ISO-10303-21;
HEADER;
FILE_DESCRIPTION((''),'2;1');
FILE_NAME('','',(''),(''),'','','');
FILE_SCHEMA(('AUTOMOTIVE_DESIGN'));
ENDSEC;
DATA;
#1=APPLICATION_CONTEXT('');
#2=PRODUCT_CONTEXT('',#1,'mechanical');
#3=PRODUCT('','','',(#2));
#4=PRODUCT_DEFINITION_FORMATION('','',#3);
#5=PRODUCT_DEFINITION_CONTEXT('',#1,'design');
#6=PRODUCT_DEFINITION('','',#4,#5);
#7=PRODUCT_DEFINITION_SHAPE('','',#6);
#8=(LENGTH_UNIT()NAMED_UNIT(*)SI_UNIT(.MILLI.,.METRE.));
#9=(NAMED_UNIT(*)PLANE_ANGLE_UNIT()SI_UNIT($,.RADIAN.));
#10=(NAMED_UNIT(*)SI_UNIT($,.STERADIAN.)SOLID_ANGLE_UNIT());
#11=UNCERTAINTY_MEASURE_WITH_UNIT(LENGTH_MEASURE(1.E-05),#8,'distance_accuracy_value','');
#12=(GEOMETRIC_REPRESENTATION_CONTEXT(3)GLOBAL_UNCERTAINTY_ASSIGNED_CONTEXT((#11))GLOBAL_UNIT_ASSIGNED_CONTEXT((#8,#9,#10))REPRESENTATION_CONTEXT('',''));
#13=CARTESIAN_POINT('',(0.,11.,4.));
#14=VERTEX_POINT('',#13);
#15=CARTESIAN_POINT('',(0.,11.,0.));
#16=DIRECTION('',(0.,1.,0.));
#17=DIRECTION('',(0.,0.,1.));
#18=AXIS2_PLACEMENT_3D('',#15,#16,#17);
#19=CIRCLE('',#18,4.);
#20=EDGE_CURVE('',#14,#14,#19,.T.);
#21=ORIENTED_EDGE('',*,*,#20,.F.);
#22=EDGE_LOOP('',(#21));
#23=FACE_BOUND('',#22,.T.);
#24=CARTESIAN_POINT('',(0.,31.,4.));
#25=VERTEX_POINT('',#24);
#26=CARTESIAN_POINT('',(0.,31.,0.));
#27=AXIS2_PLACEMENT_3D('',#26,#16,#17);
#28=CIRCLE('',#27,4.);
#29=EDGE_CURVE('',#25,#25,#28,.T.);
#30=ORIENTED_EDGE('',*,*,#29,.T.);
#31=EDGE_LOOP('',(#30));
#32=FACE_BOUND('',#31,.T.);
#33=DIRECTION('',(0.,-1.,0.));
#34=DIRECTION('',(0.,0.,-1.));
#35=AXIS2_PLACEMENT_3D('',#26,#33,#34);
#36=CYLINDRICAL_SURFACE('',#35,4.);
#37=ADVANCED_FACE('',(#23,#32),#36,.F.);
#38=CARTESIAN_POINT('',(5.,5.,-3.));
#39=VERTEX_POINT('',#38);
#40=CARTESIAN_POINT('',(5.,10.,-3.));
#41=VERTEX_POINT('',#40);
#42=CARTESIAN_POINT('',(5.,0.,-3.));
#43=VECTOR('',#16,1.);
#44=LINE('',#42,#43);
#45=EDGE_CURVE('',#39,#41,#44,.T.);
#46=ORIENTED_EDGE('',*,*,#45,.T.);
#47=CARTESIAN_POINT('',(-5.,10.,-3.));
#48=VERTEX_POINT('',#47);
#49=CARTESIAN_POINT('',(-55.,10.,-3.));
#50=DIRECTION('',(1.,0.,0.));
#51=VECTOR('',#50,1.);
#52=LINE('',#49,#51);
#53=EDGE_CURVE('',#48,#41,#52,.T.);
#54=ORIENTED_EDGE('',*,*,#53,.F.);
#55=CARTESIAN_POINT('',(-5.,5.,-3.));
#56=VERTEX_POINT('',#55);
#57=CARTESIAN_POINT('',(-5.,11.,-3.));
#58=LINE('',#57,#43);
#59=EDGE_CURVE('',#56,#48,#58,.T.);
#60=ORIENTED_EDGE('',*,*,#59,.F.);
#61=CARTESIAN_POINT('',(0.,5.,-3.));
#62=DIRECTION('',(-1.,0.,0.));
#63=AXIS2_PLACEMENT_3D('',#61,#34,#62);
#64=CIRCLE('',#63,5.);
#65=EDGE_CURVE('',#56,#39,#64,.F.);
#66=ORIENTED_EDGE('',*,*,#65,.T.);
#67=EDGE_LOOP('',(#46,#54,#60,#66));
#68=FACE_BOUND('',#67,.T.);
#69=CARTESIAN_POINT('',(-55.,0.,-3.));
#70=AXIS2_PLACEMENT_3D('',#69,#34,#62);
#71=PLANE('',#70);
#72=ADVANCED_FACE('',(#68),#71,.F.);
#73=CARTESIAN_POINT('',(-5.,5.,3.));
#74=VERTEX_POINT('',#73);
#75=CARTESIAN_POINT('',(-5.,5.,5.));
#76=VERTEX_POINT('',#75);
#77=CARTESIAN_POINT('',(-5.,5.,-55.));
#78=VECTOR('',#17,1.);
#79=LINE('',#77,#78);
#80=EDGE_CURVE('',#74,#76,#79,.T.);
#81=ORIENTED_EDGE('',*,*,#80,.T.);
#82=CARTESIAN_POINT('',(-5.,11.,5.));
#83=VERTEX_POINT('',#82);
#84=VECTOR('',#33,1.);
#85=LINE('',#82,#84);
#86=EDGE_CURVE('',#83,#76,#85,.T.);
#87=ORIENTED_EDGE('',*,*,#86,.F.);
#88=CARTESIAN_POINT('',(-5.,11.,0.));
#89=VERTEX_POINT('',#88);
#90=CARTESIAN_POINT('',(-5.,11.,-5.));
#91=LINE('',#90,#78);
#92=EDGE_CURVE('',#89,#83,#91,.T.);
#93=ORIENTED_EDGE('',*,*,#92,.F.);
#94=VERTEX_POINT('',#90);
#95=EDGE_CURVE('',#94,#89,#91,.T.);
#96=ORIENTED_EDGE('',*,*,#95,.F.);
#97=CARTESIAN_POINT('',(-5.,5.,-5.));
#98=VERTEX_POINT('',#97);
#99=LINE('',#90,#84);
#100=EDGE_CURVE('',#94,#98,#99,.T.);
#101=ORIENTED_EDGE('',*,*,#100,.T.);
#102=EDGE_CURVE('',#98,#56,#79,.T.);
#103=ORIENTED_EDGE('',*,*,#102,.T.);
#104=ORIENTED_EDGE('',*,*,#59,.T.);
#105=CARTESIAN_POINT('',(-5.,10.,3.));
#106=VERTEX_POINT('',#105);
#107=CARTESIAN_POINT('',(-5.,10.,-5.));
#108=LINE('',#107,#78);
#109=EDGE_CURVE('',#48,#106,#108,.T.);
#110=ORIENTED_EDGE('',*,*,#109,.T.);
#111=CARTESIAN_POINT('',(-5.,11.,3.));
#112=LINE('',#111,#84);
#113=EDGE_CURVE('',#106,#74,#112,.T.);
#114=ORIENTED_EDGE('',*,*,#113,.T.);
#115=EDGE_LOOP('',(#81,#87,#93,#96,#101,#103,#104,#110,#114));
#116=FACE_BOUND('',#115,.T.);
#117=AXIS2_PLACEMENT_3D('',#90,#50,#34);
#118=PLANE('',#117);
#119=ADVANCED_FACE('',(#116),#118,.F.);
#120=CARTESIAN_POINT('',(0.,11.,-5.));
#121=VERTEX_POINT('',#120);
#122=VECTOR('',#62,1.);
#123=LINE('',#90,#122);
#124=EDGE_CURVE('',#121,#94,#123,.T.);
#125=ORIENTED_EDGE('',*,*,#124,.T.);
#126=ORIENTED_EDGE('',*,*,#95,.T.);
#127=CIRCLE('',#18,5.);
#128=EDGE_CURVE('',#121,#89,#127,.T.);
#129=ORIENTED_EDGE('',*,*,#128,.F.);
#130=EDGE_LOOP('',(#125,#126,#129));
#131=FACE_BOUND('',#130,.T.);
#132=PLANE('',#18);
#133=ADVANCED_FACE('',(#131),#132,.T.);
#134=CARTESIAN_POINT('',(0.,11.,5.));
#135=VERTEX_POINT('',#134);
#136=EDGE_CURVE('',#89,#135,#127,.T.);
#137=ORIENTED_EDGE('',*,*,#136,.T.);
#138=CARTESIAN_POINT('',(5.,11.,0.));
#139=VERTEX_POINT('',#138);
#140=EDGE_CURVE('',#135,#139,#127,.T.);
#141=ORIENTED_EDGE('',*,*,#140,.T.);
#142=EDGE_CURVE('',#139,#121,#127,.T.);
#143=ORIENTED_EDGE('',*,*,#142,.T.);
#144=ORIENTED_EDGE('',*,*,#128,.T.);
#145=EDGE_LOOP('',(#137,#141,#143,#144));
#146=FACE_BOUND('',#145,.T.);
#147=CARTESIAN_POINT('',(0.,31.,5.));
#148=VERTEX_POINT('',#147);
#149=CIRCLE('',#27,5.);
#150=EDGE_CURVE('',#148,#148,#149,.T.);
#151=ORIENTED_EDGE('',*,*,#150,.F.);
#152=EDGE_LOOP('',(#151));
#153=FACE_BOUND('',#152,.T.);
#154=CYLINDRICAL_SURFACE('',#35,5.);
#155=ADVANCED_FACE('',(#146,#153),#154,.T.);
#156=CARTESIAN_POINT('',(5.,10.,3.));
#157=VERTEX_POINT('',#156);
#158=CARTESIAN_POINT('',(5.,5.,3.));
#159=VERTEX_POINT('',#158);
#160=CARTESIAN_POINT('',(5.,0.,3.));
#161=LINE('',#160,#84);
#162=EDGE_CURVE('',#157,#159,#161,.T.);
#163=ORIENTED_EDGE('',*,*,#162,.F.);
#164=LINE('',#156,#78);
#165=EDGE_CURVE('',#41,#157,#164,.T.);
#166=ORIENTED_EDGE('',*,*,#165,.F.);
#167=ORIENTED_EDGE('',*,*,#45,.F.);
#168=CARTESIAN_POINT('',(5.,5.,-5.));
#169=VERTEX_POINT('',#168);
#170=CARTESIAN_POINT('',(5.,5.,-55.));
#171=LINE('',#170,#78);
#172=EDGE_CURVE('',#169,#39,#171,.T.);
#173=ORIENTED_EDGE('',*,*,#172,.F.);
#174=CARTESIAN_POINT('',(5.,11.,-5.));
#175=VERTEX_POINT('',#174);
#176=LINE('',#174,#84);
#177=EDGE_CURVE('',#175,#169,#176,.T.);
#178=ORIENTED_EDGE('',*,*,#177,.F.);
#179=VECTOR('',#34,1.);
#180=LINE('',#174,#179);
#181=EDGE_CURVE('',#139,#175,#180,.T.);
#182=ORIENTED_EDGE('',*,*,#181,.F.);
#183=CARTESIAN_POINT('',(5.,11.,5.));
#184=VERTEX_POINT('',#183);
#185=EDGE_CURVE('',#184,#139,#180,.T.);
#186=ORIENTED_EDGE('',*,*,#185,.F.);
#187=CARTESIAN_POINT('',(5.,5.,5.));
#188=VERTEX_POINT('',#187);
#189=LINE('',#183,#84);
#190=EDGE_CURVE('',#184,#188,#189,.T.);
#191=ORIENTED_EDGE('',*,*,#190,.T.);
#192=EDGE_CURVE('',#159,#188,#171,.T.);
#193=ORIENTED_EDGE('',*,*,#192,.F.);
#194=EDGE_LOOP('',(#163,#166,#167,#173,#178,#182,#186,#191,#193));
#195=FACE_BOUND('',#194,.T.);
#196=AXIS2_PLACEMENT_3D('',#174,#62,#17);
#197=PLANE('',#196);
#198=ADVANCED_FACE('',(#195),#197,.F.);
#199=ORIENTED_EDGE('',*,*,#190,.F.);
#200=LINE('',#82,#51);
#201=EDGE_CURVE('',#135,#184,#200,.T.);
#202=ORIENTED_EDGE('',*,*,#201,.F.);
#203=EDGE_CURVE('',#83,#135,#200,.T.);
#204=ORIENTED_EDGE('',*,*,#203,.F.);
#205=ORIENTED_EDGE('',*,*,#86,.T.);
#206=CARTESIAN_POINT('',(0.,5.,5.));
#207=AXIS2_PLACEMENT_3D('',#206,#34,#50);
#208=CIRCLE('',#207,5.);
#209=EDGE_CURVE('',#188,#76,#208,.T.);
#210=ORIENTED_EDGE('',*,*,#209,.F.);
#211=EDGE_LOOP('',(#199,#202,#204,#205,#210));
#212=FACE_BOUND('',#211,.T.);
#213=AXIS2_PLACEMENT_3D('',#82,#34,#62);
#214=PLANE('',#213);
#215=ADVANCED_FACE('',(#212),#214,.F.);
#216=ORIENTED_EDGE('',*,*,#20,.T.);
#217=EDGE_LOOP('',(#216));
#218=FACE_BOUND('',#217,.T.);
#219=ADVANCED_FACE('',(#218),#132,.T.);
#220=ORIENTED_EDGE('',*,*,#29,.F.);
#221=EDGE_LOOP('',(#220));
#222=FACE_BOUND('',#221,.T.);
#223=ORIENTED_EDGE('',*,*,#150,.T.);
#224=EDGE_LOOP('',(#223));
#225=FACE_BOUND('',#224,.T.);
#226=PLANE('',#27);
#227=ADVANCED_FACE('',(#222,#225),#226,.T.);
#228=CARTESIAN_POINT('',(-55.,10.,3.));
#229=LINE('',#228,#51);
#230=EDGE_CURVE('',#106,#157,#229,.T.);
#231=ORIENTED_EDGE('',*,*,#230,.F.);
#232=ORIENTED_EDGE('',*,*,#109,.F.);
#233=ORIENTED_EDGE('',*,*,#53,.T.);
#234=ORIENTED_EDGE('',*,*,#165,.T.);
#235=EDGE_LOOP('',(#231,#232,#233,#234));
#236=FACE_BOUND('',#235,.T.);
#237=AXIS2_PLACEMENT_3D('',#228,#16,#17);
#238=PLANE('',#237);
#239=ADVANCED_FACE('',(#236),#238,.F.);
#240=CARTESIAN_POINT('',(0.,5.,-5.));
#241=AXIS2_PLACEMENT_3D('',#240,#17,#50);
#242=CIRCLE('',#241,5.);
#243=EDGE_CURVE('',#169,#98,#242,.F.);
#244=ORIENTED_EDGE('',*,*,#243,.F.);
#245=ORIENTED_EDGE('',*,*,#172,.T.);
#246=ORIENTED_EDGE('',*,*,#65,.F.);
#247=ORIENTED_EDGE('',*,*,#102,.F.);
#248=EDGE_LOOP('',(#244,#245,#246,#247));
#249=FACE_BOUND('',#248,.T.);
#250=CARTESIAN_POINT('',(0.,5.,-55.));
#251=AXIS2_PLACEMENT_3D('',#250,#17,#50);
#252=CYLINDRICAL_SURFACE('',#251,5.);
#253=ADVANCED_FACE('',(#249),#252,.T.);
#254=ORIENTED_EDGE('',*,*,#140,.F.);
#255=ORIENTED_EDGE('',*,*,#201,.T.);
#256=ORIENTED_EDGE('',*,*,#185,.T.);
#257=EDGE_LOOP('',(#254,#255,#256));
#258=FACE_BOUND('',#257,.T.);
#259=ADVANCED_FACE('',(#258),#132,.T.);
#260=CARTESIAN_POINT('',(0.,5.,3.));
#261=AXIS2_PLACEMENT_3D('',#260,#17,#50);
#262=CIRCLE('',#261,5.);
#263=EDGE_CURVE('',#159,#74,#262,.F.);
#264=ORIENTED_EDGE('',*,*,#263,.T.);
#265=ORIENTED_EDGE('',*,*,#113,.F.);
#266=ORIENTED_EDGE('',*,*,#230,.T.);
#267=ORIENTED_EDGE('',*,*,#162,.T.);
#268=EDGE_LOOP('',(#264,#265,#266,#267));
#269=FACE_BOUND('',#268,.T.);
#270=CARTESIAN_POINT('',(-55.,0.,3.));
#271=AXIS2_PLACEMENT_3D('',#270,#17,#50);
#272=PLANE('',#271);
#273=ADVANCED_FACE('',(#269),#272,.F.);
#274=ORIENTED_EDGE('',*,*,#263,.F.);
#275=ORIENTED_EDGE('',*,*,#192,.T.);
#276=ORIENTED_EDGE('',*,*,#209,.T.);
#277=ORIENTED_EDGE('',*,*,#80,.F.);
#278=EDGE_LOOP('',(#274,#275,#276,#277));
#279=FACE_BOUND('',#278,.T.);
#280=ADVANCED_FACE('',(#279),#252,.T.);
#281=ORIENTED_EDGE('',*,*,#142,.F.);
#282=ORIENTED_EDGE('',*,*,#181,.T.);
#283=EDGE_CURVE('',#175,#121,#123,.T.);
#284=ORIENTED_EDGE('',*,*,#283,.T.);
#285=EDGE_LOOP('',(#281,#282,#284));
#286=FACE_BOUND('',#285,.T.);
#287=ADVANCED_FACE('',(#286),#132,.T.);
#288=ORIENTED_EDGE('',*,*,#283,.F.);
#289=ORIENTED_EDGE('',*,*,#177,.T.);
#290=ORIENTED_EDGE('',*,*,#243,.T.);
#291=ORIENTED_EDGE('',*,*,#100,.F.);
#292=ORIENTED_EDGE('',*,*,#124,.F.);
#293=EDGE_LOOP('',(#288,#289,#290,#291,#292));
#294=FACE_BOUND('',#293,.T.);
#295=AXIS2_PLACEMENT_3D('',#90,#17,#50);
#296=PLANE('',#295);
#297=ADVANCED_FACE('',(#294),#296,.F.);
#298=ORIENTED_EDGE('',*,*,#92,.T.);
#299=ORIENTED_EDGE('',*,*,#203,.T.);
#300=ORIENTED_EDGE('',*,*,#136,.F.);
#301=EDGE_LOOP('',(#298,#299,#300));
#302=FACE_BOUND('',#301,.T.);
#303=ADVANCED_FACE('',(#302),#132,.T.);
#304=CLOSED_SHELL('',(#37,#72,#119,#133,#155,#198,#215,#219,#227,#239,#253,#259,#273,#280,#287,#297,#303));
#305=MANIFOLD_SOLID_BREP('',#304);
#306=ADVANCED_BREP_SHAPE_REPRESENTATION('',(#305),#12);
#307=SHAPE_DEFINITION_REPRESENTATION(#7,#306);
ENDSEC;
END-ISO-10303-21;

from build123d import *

# Parameters (mm, degrees)
SKETCH_1_W          = 10
SKETCH_1_H          = 10
EXTRUDE_1_DEPTH     = 11
SKETCH_2_R          = 5
SKETCH_2_R_2        = 4
EXTRUDE_2_DEPTH     = 20
SKETCH_3_W          = 6
SKETCH_3_H          = 10
CUT_EXTRUDE_1_DEPTH = 60
CUT_EXTRUDE_2_DEPTH = 60


with BuildPart() as part:
    # 草图1 → 凸台-拉伸1 (new body)
    with BuildSketch(Plane(origin=(0, 0, 0), x_dir=(1, 0, 0), z_dir=(0, 1, 0))):
        Rectangle(SKETCH_1_W, SKETCH_1_H)
    extrude(amount=EXTRUDE_1_DEPTH)

    # 草图2 → 凸台-拉伸2 (add)
    with BuildSketch(Plane(origin=(0, 11, 0), x_dir=(1, 0, 0), z_dir=(0, 1, 0))):
        Circle(SKETCH_2_R)
        Circle(SKETCH_2_R_2, mode=Mode.SUBTRACT)
    extrude(amount=EXTRUDE_2_DEPTH)

    # 草图3 → 切除-拉伸1 (cut)
    with BuildSketch(Plane(origin=(5, 0, 0), x_dir=(0, 0, -1), z_dir=(1, 0, 0))):
        with Locations((0, 5)):
            Rectangle(SKETCH_3_W, SKETCH_3_H)
    extrude(amount=-CUT_EXTRUDE_1_DEPTH, mode=Mode.SUBTRACT)

    # 草图4 → 切除-拉伸2 (cut)
    with BuildSketch(Plane.XY.offset(5)):
        with BuildLine():
            Line((-5, 5), (-5, -1.760834605))
            Line((-5, -1.760834605), (5, -1.760834605))
            Line((5, -1.760834605), (5, 5))
            ThreePointArc((5, 5), (0, 0), (-5, 5))
        make_face()
    extrude(amount=-CUT_EXTRUDE_2_DEPTH, mode=Mode.SUBTRACT)


solid = part.part
